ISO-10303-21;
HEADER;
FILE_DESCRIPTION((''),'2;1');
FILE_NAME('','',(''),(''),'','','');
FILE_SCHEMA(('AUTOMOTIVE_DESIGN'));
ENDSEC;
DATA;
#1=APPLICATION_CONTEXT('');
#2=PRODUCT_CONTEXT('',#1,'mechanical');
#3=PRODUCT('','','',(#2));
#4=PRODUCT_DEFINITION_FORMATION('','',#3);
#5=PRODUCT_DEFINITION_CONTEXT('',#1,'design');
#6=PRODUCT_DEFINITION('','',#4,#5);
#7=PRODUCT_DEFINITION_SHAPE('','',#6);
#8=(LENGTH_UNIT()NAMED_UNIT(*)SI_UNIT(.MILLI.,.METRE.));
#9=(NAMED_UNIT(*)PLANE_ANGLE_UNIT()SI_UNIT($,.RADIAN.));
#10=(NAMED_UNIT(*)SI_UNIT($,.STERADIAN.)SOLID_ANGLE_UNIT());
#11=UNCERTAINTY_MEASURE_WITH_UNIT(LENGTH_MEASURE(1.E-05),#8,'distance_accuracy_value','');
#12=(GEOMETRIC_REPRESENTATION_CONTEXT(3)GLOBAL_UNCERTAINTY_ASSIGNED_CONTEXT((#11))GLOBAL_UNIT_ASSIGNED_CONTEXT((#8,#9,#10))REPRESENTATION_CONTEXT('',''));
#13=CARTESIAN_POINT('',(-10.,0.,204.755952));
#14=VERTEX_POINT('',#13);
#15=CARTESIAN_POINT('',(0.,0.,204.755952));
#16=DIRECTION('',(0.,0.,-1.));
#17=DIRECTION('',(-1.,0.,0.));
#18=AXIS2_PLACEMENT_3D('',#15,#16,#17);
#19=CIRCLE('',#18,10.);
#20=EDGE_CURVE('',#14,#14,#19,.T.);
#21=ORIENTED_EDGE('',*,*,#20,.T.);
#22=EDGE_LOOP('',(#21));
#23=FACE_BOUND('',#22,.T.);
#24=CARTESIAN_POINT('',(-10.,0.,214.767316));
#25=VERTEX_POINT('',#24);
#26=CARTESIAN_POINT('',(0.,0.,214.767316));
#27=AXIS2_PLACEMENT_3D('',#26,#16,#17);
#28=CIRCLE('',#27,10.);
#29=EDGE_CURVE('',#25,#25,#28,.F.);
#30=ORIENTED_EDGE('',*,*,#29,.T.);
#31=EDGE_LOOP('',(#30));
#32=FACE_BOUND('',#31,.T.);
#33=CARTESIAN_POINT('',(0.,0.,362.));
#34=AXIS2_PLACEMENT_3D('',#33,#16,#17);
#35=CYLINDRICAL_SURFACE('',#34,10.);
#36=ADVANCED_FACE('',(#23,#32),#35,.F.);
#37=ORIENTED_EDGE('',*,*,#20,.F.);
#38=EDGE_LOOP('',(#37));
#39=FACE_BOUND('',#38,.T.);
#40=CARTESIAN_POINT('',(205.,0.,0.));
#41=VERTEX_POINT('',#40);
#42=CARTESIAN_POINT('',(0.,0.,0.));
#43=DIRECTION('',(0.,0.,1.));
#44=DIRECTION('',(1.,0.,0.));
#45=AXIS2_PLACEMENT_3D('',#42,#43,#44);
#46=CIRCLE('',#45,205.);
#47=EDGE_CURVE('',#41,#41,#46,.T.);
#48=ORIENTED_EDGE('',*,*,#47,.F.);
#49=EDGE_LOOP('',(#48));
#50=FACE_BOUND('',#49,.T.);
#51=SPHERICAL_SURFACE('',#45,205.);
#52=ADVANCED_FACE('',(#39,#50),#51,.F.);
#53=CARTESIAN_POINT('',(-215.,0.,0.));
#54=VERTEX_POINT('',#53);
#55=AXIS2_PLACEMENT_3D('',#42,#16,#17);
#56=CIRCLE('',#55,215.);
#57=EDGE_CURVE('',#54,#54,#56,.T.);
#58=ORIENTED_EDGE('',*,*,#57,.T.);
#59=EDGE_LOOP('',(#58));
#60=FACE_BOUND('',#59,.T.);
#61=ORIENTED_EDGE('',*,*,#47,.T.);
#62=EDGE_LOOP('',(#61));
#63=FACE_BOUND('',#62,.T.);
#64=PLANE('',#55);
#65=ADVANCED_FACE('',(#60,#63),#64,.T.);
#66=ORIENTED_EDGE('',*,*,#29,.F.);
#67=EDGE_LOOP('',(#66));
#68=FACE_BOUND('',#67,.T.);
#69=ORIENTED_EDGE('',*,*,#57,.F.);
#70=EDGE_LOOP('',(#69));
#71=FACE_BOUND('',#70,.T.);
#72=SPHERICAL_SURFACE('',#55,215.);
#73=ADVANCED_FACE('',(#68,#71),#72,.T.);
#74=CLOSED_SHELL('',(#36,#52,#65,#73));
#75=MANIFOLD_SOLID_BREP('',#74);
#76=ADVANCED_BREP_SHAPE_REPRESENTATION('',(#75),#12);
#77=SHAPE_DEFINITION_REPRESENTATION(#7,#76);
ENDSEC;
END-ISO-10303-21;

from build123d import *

# Parameters (mm, degrees)
REVOLVE1_ANGLE     = 180
CUT_REVOLVE1_ANGLE = 180
SKETCH3_R          = 10
CUT_EXTRUDE1_DEPTH = 362


with BuildPart() as part:
    # Sketch1 → Revolve1 (revolve)
    with BuildSketch(Plane.XY):
        with BuildLine():
            Line((0, 215), (0, -215))
            ThreePointArc((0, -215), (215, 0), (0, 215))
        make_face()
    revolve(axis=Axis((0, 215, 0), (0, -1, 0)), revolution_arc=REVOLVE1_ANGLE)

    # Sketch2 → Cut-Revolve1 (revolve, cut)
    with BuildSketch(Plane(origin=(0, 0, 0), x_dir=(-1, 0, 0), z_dir=(0, 0, -1))):
        with BuildLine():
            Line((0, 205), (0, -205))
            ThreePointArc((0, -205), (205, 0), (0, 205))
        make_face()
    revolve(axis=Axis((0, 205, 0), (0, 1, 0)), revolution_arc=CUT_REVOLVE1_ANGLE, mode=Mode.SUBTRACT)

    # Sketch3 → Cut-Extrude1 (cut)
    with BuildSketch(Plane.XY):
        with Locations(Location((0, 0, 0), (0, 0, 180))):
            Circle(SKETCH3_R)
    extrude(amount=CUT_EXTRUDE1_DEPTH, mode=Mode.SUBTRACT)


solid = part.part
